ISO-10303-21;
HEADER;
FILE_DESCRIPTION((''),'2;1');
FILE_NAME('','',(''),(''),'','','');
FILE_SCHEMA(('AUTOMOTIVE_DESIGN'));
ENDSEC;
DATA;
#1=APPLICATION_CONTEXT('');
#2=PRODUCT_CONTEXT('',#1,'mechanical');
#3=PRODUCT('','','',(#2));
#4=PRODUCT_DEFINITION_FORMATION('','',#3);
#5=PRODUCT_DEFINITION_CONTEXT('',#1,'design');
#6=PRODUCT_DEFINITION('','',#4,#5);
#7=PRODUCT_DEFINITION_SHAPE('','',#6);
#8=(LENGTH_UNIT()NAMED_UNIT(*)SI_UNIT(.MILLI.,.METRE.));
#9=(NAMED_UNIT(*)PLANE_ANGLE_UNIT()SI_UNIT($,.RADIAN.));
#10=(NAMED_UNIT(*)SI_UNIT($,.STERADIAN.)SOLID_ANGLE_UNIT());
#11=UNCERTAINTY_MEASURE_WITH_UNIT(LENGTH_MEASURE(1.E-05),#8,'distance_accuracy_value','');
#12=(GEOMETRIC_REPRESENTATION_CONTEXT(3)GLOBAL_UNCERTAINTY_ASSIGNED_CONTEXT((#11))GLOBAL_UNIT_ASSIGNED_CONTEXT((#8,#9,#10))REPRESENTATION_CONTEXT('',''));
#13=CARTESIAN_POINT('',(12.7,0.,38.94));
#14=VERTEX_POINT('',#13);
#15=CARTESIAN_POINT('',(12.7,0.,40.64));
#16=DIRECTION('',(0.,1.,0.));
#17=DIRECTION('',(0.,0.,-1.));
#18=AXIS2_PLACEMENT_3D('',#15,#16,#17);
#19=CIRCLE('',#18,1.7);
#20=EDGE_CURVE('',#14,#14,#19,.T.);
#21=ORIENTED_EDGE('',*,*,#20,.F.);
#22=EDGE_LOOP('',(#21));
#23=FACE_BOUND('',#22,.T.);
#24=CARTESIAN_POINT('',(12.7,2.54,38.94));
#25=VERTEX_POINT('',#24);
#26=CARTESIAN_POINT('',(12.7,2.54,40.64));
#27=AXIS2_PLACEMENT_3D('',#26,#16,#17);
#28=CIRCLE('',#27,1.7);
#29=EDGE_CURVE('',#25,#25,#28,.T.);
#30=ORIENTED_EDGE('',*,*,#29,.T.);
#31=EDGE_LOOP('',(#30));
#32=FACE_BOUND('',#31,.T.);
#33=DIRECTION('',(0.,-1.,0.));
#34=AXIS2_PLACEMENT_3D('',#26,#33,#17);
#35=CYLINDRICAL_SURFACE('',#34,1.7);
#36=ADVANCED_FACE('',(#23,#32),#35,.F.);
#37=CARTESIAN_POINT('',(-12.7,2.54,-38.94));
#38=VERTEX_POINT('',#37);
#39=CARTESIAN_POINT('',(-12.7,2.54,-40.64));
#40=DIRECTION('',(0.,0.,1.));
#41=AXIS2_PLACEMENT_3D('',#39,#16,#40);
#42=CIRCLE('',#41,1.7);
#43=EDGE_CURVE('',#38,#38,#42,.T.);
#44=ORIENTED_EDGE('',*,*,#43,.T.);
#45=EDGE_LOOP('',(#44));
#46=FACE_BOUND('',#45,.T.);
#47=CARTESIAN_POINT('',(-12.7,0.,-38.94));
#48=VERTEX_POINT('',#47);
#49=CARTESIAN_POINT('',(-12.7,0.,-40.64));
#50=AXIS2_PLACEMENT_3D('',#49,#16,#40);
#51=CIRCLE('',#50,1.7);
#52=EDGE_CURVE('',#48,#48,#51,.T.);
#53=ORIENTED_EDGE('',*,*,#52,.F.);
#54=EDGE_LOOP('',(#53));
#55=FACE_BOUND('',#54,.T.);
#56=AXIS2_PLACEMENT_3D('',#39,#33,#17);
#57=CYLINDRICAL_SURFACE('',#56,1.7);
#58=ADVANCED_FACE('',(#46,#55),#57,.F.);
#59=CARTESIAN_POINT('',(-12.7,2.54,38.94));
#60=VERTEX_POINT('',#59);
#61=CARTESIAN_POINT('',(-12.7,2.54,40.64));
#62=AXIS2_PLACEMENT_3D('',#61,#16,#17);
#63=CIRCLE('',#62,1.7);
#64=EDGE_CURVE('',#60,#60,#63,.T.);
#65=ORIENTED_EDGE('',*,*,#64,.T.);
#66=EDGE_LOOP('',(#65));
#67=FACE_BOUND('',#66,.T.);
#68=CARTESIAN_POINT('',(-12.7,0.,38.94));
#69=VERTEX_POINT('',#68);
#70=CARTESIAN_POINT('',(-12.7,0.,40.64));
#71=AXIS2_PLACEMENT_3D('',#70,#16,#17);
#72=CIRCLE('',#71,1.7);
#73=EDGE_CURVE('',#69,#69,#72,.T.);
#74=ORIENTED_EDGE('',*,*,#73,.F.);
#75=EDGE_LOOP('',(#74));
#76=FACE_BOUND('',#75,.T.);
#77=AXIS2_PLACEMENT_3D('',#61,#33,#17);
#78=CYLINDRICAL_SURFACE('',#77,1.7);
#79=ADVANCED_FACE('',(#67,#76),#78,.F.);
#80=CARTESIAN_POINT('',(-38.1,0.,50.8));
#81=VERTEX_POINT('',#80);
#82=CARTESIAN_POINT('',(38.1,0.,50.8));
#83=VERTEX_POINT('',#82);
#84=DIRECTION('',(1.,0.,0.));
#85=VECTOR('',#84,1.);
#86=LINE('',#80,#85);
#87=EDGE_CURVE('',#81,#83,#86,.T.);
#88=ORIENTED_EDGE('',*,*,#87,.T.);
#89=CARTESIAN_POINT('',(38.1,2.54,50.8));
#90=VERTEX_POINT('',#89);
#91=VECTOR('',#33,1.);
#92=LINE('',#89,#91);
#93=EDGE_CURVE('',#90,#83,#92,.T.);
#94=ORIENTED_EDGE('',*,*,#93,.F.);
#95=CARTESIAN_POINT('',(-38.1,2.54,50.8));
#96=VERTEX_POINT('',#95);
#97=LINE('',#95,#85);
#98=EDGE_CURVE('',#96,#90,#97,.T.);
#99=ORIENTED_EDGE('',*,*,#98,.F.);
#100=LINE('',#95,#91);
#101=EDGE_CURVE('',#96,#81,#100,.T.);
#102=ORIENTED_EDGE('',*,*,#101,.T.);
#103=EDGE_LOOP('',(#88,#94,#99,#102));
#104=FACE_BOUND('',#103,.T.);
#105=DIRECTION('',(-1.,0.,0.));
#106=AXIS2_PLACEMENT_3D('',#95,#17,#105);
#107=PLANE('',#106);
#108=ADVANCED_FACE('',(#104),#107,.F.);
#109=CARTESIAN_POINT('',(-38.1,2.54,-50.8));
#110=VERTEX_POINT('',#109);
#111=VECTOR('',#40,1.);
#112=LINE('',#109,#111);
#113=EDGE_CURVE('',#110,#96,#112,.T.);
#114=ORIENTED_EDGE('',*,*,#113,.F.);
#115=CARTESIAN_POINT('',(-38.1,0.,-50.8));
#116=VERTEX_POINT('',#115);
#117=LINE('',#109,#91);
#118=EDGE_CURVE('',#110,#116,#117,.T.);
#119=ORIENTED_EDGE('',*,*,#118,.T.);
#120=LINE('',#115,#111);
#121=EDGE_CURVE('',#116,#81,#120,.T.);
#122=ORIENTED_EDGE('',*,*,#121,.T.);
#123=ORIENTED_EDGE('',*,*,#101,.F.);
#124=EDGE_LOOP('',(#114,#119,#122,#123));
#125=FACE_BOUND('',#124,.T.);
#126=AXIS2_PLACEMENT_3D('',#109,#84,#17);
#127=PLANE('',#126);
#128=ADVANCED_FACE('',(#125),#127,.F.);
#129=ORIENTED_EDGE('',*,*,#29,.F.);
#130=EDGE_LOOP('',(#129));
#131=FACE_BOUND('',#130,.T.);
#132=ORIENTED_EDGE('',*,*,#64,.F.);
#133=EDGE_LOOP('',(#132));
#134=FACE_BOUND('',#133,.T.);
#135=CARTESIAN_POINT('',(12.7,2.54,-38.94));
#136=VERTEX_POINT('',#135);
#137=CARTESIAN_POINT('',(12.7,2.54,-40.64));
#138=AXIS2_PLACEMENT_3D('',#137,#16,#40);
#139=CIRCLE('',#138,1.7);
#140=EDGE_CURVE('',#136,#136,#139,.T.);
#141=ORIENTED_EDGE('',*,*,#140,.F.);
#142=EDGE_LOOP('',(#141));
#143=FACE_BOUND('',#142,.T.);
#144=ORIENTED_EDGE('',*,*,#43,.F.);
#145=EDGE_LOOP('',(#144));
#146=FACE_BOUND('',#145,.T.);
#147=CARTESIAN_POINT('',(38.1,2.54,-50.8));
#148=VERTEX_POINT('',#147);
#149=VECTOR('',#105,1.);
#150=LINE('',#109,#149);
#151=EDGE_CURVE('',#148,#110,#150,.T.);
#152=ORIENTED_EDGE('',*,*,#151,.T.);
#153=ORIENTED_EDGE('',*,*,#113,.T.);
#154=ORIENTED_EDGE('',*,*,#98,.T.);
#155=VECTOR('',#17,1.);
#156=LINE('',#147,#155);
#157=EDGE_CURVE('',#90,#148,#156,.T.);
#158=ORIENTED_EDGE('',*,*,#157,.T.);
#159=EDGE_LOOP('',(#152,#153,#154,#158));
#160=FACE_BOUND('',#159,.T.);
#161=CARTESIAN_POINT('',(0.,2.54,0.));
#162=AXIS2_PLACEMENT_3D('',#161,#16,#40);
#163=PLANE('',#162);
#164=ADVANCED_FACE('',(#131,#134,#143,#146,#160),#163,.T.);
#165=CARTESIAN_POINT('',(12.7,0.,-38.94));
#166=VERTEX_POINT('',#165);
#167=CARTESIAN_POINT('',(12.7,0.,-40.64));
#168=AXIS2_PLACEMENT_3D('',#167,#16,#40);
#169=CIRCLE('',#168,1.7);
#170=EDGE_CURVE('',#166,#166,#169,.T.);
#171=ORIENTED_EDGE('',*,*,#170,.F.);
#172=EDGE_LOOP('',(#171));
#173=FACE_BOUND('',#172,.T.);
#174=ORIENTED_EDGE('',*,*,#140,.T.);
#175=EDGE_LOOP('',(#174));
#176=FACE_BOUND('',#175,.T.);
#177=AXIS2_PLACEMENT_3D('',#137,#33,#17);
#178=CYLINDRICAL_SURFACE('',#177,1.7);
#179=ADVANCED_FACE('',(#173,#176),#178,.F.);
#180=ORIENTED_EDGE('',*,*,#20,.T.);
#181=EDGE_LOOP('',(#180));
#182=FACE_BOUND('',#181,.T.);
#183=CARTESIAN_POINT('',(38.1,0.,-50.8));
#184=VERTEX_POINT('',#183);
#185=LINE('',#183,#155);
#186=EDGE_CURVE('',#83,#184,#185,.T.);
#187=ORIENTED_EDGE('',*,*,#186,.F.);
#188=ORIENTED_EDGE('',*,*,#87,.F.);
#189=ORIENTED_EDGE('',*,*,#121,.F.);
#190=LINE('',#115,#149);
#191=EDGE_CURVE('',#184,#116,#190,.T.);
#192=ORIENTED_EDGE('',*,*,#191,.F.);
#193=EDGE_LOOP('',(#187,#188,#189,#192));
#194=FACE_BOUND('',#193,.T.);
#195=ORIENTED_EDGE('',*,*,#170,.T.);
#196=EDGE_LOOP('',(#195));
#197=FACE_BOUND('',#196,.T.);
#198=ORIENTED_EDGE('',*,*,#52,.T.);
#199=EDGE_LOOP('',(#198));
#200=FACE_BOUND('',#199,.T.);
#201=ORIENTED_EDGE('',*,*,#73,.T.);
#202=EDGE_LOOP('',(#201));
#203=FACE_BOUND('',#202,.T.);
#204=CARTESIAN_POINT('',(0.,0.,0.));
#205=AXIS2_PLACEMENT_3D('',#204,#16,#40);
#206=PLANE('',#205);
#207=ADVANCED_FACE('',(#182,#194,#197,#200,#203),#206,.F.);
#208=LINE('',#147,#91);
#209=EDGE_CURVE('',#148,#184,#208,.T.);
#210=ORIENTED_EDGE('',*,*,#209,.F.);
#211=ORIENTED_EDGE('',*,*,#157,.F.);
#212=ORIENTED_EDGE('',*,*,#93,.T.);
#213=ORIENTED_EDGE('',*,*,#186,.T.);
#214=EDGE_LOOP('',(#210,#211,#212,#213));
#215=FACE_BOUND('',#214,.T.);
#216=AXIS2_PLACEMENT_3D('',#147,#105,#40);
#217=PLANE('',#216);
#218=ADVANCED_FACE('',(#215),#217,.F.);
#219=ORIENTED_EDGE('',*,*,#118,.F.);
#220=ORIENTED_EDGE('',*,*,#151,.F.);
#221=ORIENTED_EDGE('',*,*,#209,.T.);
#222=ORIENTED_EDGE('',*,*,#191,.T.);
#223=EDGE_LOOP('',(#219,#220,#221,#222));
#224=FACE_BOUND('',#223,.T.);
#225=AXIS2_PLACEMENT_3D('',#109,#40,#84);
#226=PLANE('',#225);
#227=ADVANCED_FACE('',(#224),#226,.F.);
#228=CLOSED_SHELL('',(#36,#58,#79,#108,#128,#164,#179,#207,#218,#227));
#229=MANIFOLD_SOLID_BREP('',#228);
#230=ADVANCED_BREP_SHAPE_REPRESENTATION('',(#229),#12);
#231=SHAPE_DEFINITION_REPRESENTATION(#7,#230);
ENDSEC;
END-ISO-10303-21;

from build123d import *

# Parameters (mm, degrees)
SKETCH1_W           = 76.2
SKETCH1_H           = 101.6
SKETCH1_R           = 1.7
BOSS_EXTRUDE1_DEPTH = 2.54


with BuildPart() as part:
    # Sketch1 → Boss-Extrude1 (new body)
    with BuildSketch(Plane(origin=(0, 0, 0), x_dir=(1, 0, 0), z_dir=(0, 1, 0))):
        Rectangle(SKETCH1_W, SKETCH1_H)
        with Locations(Location((-12.7, 40.64, 0), (0, 0, 270))):
            Circle(SKETCH1_R, mode=Mode.SUBTRACT)
        with Locations(Location((12.7, 40.64, 0), (0, 0, 270))):
            Circle(SKETCH1_R, mode=Mode.SUBTRACT)
        with Locations(Location((12.7, -40.64, 0), (0, 0, 90))):
            Circle(SKETCH1_R, mode=Mode.SUBTRACT)
        with Locations(Location((-12.7, -40.64, 0), (0, 0, 90))):
            Circle(SKETCH1_R, mode=Mode.SUBTRACT)
    extrude(amount=BOSS_EXTRUDE1_DEPTH)


solid = part.part
